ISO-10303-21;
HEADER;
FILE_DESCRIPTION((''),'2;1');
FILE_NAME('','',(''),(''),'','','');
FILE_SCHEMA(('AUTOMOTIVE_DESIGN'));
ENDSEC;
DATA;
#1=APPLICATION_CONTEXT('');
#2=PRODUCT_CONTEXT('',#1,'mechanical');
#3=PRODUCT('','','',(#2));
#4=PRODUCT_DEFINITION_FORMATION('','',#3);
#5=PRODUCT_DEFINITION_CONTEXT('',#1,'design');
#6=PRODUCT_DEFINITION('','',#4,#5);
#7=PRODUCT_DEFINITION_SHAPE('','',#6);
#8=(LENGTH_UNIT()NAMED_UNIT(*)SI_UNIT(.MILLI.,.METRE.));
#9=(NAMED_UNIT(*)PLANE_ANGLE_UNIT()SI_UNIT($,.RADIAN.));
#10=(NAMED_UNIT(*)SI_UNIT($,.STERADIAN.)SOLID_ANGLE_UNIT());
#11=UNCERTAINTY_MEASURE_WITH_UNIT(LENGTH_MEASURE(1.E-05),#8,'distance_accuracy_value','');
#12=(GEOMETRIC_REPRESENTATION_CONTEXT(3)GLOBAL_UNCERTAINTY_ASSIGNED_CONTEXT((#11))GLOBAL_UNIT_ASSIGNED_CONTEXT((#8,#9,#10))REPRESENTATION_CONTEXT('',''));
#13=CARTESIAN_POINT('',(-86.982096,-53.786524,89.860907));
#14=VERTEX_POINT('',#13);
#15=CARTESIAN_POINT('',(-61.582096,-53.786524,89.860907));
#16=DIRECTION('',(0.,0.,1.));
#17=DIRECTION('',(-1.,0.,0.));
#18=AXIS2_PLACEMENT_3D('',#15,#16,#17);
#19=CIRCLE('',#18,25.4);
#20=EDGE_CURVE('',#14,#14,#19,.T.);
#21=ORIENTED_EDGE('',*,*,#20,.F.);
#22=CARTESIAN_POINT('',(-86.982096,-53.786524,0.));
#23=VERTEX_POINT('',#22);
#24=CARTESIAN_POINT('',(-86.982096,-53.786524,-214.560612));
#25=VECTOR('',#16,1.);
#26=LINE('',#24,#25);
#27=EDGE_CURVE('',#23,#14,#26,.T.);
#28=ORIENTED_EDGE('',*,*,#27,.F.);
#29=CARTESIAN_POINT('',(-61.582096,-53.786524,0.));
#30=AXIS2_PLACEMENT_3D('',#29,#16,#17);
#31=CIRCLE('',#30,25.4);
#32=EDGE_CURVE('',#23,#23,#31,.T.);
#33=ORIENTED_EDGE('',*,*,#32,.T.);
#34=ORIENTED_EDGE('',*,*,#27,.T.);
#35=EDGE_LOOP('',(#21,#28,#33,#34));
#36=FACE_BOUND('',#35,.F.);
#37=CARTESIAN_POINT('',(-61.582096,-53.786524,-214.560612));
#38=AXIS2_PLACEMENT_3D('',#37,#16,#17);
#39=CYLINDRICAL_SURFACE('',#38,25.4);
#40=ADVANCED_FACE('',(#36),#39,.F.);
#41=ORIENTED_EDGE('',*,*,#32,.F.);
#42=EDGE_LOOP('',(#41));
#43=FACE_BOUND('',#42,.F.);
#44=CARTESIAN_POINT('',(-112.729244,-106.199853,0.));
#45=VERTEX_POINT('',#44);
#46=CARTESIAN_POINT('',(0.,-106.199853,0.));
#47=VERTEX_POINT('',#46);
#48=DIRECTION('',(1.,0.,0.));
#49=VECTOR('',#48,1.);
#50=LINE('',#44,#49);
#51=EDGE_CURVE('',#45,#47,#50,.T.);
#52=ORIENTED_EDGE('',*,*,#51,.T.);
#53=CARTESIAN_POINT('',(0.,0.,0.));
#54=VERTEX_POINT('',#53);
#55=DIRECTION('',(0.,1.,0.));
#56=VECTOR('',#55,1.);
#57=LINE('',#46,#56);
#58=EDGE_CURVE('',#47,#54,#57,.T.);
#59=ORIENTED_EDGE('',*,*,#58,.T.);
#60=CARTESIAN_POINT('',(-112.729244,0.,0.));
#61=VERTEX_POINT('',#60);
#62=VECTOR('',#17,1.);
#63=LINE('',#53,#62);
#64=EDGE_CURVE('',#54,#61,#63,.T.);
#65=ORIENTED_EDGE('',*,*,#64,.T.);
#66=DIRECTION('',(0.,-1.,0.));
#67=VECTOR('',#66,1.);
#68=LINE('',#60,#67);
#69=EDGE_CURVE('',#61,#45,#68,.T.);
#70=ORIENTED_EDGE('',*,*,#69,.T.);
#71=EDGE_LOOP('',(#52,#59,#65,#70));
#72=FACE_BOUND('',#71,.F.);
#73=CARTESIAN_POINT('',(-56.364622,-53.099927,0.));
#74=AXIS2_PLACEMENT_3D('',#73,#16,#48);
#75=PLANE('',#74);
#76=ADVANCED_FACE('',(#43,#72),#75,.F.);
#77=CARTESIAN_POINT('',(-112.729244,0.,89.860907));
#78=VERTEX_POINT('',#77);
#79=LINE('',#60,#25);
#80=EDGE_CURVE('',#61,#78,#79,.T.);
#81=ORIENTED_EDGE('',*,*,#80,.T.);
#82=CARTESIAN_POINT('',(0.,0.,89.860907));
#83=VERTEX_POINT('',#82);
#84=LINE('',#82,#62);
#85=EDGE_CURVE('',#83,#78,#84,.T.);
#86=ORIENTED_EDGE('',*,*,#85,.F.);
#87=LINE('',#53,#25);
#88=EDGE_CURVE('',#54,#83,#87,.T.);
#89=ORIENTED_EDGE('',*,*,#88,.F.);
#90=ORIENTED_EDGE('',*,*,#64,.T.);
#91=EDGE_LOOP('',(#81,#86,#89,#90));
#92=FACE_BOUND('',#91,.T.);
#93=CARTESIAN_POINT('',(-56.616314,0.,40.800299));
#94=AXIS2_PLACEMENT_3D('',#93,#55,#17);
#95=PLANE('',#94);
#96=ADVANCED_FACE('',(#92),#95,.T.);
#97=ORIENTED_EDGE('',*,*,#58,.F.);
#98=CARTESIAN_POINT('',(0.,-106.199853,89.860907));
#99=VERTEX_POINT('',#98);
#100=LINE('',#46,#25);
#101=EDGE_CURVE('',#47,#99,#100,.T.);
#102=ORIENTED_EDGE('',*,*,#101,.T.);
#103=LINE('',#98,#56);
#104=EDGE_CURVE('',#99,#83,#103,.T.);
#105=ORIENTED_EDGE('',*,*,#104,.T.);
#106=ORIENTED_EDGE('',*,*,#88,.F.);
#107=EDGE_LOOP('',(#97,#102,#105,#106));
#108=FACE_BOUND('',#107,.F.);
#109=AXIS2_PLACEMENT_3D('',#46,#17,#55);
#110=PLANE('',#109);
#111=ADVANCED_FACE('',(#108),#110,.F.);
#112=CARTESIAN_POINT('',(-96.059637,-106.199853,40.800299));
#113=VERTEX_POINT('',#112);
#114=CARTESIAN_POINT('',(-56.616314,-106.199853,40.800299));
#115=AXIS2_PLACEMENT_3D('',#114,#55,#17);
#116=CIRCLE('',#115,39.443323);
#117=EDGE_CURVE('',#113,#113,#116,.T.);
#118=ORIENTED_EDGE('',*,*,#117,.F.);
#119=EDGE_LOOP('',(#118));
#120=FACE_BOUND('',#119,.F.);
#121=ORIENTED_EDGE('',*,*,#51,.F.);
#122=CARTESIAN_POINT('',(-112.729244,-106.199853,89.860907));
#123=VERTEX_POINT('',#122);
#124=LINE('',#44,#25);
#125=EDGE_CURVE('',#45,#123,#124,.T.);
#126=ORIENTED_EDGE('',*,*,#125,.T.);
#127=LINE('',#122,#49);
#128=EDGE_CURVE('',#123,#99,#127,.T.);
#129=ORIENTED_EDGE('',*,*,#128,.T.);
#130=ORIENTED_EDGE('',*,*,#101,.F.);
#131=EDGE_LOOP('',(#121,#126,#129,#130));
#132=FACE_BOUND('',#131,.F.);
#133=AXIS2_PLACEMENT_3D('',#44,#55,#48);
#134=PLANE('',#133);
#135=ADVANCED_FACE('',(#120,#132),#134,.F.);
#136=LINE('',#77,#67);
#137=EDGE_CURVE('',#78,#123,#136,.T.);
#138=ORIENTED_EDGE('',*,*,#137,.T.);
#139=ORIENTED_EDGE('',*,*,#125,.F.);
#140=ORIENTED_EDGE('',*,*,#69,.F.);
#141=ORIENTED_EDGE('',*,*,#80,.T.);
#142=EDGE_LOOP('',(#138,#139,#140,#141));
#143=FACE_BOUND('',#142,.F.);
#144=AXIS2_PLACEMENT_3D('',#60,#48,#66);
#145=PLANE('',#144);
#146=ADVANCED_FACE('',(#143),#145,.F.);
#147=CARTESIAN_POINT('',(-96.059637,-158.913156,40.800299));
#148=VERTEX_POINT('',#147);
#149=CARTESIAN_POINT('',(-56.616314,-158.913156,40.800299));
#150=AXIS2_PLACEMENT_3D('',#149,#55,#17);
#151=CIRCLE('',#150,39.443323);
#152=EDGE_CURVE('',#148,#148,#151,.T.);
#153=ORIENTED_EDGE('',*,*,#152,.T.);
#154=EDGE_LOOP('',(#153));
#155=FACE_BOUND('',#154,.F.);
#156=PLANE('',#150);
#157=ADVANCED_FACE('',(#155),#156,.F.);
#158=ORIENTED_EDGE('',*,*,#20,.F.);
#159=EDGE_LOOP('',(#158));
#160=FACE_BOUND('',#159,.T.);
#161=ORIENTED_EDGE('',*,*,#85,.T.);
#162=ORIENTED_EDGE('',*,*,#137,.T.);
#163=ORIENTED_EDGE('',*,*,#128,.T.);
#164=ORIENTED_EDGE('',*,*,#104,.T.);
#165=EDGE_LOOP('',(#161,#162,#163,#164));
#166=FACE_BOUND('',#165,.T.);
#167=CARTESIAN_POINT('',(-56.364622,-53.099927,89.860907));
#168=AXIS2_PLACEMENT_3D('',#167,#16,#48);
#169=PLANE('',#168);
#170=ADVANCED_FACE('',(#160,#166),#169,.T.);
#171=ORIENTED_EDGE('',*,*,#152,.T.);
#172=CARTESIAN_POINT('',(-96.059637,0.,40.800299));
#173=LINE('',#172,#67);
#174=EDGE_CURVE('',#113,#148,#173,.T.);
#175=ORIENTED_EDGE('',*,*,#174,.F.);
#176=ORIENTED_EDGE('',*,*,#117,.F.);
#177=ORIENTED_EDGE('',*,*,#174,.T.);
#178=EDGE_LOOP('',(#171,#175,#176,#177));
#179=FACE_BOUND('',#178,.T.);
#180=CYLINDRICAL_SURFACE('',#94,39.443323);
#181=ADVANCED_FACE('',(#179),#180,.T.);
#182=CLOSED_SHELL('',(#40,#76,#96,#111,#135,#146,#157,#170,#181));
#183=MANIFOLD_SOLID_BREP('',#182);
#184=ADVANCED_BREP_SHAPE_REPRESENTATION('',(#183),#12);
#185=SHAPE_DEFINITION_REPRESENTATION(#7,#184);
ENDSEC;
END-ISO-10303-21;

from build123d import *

# Parameters (mm, degrees)
F2_DEPTH = 89.8609068245
F3_R     = 39.4433228708
F4_DEPTH = 158.9131560177
F6_D     = 50.8


with BuildPart() as f2:
    # F0 (on Top) → F2 (new body)
    with BuildSketch(Plane.XY):
        Polygon((0, -106.1998531222), (0, 0), (-112.7292439342, 0), (-112.7292439342, -106.1998531222), (-56.3646219671, -106.1998531222), (-43.278105557, -106.1998531222), align=None)
    extrude(amount=F2_DEPTH)

    # F3 (on face) → F4 (join)
    with BuildSketch(Plane(origin=(0, 0, 0), x_dir=(-1, 0, 0), z_dir=(0, 1, 0))):
        with Locations((56.6163137555, 40.8002994955)):
            Circle(F3_R)
    extrude(amount=-F4_DEPTH)

    # F6 (through all)
    with Locations(Plane(origin=(0, 0, 0), x_dir=(1, 0, 0), z_dir=(0, 0, -1))):
        with Locations((-61.582095921, 53.7865236402)):
            Hole(F6_D / 2)


solid = f2.part
